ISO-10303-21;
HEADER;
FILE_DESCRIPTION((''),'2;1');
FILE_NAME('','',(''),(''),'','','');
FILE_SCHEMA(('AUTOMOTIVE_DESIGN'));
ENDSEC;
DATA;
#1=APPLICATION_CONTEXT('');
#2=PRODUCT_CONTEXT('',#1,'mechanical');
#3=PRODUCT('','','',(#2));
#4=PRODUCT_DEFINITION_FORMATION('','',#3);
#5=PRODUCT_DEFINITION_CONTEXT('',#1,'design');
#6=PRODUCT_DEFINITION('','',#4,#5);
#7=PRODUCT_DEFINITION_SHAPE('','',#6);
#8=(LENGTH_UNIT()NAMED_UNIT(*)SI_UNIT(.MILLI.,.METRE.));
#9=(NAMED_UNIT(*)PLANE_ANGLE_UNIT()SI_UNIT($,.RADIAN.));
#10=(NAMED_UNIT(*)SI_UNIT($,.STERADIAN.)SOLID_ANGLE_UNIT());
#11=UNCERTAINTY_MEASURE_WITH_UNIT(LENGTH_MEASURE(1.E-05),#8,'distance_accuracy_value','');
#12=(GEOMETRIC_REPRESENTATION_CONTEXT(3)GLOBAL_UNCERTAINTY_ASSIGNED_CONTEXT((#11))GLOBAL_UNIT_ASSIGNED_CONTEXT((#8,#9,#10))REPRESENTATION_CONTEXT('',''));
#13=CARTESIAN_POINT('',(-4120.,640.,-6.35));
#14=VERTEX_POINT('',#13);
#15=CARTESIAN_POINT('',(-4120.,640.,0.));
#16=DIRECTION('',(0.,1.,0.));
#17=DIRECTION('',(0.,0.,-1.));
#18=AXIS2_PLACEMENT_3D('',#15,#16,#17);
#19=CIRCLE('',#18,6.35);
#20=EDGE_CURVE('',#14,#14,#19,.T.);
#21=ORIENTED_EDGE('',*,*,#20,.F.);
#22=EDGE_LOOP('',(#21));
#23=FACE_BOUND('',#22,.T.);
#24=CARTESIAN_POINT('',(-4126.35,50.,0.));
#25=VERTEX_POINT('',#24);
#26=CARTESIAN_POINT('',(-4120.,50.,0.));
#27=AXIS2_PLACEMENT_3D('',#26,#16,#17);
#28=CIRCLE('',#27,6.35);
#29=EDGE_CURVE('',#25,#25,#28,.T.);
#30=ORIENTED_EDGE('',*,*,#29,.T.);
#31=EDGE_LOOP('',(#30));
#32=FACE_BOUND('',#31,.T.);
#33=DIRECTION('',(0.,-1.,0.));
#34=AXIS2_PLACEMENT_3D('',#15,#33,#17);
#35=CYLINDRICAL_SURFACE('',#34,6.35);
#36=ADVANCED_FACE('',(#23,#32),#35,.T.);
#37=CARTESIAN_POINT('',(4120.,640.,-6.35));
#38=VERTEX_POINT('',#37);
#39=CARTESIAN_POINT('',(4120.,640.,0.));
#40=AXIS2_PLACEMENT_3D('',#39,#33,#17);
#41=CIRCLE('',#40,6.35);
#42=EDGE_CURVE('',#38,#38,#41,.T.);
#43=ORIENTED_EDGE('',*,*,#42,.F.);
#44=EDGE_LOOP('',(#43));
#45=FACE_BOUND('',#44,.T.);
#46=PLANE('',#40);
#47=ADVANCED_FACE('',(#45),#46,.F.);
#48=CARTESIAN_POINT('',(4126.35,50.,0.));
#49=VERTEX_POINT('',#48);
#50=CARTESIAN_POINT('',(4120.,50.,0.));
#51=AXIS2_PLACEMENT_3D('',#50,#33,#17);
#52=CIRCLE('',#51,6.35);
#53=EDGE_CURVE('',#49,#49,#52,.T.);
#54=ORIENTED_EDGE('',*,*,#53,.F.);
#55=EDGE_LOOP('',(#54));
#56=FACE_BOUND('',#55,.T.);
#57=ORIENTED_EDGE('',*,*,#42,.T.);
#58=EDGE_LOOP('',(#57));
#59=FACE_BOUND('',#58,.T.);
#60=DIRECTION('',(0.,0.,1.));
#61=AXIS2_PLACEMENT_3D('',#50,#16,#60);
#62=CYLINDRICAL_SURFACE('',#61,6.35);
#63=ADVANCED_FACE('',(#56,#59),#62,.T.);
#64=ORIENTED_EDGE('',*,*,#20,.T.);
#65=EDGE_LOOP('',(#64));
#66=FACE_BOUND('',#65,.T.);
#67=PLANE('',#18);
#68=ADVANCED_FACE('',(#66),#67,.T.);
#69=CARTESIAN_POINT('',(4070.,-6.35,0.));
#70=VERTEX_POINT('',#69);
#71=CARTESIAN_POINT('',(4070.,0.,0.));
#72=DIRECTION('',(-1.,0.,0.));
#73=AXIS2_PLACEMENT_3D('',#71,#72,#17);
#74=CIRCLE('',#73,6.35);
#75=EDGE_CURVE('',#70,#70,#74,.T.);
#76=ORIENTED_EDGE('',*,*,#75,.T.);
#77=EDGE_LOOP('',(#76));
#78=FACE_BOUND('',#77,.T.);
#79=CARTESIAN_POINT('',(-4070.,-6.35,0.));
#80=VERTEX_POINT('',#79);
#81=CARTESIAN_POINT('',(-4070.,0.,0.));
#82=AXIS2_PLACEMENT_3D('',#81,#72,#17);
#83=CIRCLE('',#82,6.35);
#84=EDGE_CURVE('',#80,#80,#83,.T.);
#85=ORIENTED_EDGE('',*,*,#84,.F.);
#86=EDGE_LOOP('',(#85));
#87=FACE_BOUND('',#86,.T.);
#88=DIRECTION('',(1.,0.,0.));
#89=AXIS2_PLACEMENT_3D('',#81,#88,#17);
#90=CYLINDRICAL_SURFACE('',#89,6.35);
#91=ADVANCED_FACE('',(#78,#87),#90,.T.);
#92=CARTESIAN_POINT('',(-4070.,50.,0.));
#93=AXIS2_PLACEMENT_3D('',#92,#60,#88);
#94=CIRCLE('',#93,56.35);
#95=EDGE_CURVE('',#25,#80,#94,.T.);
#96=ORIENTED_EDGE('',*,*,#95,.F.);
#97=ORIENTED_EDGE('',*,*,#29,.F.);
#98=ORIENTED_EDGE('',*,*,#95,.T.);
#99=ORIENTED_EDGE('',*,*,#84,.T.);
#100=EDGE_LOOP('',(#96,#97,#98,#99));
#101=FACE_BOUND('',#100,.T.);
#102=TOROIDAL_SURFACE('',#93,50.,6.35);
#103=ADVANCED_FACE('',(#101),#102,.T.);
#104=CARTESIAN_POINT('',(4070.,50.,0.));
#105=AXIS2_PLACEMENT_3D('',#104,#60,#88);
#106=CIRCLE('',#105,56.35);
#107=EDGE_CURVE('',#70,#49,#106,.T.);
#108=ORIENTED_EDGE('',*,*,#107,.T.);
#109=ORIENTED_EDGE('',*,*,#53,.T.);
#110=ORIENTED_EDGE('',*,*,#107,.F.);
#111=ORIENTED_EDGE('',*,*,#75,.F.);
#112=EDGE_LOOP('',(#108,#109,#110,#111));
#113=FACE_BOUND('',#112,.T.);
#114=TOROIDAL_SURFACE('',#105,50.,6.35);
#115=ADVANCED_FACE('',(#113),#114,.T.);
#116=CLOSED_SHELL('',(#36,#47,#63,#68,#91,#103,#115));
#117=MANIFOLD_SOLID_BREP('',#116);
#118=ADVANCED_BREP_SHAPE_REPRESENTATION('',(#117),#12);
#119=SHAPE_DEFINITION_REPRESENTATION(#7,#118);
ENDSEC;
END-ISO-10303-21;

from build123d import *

# Parameters (mm, degrees)
SWEEP2_PROFILE_R = 6.35


with BuildPart() as part:
    # Sweep2: sweep along a path in Sketch6
    with BuildLine(Plane.XY) as sweep2_path:
        Line((-4120, 640), (-4120, 50))
        ThreePointArc((-4120, 50), (-4105.355339059, 14.644660941), (-4070, 0))
        Line((-4070, 0), (4070, 0))
        ThreePointArc((4070, 0), (4105.355339059, 14.644660941), (4120, 50))
        Line((4120, 50), (4120, 640))
    # Sweep2 profile (on start of the path) → Sweep2 (sweep)
    with BuildSketch(Plane(origin=(-4120, 640, 0), x_dir=(0, 0, -1), z_dir=(0, -1, 0))):
        Circle(SWEEP2_PROFILE_R)
    sweep(path=sweep2_path.line)


solid = part.part
